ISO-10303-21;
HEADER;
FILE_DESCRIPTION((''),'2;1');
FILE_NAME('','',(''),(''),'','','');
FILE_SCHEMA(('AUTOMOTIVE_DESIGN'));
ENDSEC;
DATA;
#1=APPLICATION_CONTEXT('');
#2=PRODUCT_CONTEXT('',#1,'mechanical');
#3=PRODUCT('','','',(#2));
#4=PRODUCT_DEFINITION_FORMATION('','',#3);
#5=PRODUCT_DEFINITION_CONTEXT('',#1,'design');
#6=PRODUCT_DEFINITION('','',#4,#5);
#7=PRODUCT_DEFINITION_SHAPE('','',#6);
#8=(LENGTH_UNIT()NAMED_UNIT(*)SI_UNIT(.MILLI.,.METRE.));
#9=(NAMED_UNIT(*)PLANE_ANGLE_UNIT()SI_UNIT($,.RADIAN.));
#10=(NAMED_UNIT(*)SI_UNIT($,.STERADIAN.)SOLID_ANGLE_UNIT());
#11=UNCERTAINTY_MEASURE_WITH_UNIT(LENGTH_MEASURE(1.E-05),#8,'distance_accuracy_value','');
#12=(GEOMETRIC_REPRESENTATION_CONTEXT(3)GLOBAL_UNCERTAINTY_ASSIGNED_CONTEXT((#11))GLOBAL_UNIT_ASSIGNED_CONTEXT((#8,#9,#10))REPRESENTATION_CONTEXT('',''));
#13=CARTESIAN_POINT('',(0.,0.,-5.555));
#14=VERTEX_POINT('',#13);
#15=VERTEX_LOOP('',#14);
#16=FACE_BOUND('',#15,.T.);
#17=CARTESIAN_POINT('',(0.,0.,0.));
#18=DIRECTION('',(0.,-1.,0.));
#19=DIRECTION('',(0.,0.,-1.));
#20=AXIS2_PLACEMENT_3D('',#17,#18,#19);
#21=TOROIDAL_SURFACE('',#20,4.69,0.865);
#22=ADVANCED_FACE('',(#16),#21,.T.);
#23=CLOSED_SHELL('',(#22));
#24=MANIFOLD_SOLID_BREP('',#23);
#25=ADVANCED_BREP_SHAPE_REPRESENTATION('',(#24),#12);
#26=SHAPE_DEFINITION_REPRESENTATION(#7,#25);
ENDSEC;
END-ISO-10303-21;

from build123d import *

# Parameters (mm, degrees)
SKETCH1_R = 0.865


with BuildPart() as part:
    # Sketch1 → Revolve1 (revolve)
    with BuildSketch(Plane.XY):
        with Locations((4.69, 0)):
            Circle(SKETCH1_R)
    revolve(axis=Axis((0, 0, 0), (0, 1, 0)))


solid = part.part
